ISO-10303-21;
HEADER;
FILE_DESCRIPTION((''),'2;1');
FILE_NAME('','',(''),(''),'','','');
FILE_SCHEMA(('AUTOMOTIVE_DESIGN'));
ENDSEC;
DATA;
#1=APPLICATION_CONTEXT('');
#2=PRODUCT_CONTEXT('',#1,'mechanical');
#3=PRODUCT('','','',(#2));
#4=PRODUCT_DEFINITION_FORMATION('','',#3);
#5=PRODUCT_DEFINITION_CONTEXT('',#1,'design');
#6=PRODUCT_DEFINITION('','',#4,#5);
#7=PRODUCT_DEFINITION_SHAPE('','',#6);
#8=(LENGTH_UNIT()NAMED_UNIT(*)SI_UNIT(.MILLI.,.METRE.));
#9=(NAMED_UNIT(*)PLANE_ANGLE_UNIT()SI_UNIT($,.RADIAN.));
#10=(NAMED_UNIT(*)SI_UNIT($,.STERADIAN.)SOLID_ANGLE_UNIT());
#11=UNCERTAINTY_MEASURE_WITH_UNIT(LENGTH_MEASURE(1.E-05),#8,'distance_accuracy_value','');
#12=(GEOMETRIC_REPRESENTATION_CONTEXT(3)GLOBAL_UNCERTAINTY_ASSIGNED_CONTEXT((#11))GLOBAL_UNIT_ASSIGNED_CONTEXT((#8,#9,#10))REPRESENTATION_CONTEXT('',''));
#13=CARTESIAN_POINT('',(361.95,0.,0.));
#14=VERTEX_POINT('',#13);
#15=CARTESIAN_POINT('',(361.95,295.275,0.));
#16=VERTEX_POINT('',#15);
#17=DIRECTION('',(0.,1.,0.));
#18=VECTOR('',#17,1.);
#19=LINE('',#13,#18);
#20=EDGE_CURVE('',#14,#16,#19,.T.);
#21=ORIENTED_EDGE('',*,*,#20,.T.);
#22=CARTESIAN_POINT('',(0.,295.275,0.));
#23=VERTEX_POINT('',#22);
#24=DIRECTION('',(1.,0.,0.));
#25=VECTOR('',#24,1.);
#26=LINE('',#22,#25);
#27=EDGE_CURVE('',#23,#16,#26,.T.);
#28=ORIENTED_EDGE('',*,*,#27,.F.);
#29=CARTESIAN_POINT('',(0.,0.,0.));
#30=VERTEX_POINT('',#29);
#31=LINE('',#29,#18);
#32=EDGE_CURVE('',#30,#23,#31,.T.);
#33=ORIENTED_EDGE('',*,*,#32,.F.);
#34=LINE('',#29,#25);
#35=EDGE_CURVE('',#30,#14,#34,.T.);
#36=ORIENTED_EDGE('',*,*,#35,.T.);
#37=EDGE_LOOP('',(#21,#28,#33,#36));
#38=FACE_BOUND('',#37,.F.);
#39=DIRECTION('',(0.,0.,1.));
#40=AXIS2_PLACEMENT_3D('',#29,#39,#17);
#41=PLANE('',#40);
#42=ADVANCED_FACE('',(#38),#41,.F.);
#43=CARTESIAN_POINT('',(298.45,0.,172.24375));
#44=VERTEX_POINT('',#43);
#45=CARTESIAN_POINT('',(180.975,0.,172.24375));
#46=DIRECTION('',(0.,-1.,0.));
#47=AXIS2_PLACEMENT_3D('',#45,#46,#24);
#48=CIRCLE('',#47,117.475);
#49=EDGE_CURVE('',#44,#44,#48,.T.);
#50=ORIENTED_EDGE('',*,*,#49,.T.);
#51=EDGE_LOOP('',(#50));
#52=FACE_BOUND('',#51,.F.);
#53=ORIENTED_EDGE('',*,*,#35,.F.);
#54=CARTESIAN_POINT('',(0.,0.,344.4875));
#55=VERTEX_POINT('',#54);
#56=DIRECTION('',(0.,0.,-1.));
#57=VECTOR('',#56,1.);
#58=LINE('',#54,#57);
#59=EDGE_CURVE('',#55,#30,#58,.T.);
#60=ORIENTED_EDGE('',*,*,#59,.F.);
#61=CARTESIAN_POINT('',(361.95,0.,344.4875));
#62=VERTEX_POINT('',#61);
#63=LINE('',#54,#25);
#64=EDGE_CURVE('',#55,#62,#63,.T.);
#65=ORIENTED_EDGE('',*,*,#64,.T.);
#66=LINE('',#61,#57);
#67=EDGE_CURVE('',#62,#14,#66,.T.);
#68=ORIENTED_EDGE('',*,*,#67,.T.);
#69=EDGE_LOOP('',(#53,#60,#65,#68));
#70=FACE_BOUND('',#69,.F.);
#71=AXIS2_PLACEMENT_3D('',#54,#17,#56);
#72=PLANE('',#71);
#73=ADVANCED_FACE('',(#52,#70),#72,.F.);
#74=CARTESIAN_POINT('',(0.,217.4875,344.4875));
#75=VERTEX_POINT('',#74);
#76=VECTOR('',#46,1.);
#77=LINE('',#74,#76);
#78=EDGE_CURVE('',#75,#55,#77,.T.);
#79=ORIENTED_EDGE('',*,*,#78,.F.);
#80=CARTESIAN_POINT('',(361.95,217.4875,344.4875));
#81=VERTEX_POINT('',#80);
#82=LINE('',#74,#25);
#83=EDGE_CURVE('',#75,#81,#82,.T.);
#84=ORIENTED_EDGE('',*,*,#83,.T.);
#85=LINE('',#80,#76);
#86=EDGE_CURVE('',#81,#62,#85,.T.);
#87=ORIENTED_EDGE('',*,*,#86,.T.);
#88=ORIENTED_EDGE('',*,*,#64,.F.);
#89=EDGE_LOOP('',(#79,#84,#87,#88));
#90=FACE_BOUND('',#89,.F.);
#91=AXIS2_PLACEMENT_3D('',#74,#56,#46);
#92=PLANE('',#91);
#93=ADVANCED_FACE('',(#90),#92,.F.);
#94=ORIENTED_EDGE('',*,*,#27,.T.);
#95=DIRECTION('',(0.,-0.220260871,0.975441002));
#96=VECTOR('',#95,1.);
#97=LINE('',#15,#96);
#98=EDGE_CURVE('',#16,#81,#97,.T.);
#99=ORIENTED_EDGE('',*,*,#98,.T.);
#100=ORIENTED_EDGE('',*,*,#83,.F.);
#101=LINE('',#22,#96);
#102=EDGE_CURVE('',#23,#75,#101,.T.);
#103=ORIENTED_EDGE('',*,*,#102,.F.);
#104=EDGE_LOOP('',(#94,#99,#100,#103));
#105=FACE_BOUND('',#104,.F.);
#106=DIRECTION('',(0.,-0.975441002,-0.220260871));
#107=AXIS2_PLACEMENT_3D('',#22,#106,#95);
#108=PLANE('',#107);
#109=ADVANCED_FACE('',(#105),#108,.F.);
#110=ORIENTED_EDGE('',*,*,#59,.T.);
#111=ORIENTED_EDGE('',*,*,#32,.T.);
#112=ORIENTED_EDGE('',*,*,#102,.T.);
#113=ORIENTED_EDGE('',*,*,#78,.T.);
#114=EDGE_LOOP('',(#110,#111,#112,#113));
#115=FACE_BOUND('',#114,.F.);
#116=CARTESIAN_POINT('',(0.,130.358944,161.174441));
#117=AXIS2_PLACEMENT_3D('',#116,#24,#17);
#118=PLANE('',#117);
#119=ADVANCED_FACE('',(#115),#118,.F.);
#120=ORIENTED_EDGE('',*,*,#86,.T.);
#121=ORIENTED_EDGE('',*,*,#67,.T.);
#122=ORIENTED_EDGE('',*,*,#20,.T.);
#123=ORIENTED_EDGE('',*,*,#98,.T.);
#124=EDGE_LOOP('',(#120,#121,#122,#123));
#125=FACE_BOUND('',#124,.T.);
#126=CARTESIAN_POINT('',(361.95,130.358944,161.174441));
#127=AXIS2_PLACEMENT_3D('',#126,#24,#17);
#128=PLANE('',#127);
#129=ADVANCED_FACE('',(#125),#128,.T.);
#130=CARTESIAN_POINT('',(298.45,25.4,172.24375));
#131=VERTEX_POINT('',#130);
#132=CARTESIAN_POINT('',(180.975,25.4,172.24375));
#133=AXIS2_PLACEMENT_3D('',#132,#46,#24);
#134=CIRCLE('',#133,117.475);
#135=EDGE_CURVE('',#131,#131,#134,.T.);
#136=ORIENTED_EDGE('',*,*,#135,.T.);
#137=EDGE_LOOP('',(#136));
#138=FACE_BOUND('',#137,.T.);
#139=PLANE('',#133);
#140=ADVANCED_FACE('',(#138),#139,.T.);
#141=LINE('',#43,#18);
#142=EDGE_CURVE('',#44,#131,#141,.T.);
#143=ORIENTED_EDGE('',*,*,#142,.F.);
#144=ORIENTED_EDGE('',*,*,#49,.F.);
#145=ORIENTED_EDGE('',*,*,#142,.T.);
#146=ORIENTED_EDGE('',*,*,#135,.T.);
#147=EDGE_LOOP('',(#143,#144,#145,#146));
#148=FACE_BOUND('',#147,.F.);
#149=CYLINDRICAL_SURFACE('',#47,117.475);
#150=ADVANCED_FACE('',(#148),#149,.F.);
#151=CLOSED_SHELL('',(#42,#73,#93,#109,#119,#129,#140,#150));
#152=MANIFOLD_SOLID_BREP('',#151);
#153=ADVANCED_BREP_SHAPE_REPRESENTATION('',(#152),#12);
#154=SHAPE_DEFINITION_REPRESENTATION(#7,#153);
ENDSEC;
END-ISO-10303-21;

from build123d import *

# Parameters (mm, degrees)
F1_DEPTH = 361.95
F2_R     = 117.475
F3_DEPTH = 25.4


with BuildPart() as f1:
    # F0 (on Right) → F1 (new body)
    with BuildSketch(Plane.YZ):
        Polygon((0, 344.4875), (0, 0), (295.275, 0), (217.4875, 344.4875), align=None)
    extrude(amount=F1_DEPTH)

    # F2 (on face) → F3 (cut)
    with BuildSketch(Plane.XZ):
        with Locations((180.975, 172.24375)):
            Circle(F2_R)
    extrude(amount=-F3_DEPTH, mode=Mode.SUBTRACT)


solid = f1.part
